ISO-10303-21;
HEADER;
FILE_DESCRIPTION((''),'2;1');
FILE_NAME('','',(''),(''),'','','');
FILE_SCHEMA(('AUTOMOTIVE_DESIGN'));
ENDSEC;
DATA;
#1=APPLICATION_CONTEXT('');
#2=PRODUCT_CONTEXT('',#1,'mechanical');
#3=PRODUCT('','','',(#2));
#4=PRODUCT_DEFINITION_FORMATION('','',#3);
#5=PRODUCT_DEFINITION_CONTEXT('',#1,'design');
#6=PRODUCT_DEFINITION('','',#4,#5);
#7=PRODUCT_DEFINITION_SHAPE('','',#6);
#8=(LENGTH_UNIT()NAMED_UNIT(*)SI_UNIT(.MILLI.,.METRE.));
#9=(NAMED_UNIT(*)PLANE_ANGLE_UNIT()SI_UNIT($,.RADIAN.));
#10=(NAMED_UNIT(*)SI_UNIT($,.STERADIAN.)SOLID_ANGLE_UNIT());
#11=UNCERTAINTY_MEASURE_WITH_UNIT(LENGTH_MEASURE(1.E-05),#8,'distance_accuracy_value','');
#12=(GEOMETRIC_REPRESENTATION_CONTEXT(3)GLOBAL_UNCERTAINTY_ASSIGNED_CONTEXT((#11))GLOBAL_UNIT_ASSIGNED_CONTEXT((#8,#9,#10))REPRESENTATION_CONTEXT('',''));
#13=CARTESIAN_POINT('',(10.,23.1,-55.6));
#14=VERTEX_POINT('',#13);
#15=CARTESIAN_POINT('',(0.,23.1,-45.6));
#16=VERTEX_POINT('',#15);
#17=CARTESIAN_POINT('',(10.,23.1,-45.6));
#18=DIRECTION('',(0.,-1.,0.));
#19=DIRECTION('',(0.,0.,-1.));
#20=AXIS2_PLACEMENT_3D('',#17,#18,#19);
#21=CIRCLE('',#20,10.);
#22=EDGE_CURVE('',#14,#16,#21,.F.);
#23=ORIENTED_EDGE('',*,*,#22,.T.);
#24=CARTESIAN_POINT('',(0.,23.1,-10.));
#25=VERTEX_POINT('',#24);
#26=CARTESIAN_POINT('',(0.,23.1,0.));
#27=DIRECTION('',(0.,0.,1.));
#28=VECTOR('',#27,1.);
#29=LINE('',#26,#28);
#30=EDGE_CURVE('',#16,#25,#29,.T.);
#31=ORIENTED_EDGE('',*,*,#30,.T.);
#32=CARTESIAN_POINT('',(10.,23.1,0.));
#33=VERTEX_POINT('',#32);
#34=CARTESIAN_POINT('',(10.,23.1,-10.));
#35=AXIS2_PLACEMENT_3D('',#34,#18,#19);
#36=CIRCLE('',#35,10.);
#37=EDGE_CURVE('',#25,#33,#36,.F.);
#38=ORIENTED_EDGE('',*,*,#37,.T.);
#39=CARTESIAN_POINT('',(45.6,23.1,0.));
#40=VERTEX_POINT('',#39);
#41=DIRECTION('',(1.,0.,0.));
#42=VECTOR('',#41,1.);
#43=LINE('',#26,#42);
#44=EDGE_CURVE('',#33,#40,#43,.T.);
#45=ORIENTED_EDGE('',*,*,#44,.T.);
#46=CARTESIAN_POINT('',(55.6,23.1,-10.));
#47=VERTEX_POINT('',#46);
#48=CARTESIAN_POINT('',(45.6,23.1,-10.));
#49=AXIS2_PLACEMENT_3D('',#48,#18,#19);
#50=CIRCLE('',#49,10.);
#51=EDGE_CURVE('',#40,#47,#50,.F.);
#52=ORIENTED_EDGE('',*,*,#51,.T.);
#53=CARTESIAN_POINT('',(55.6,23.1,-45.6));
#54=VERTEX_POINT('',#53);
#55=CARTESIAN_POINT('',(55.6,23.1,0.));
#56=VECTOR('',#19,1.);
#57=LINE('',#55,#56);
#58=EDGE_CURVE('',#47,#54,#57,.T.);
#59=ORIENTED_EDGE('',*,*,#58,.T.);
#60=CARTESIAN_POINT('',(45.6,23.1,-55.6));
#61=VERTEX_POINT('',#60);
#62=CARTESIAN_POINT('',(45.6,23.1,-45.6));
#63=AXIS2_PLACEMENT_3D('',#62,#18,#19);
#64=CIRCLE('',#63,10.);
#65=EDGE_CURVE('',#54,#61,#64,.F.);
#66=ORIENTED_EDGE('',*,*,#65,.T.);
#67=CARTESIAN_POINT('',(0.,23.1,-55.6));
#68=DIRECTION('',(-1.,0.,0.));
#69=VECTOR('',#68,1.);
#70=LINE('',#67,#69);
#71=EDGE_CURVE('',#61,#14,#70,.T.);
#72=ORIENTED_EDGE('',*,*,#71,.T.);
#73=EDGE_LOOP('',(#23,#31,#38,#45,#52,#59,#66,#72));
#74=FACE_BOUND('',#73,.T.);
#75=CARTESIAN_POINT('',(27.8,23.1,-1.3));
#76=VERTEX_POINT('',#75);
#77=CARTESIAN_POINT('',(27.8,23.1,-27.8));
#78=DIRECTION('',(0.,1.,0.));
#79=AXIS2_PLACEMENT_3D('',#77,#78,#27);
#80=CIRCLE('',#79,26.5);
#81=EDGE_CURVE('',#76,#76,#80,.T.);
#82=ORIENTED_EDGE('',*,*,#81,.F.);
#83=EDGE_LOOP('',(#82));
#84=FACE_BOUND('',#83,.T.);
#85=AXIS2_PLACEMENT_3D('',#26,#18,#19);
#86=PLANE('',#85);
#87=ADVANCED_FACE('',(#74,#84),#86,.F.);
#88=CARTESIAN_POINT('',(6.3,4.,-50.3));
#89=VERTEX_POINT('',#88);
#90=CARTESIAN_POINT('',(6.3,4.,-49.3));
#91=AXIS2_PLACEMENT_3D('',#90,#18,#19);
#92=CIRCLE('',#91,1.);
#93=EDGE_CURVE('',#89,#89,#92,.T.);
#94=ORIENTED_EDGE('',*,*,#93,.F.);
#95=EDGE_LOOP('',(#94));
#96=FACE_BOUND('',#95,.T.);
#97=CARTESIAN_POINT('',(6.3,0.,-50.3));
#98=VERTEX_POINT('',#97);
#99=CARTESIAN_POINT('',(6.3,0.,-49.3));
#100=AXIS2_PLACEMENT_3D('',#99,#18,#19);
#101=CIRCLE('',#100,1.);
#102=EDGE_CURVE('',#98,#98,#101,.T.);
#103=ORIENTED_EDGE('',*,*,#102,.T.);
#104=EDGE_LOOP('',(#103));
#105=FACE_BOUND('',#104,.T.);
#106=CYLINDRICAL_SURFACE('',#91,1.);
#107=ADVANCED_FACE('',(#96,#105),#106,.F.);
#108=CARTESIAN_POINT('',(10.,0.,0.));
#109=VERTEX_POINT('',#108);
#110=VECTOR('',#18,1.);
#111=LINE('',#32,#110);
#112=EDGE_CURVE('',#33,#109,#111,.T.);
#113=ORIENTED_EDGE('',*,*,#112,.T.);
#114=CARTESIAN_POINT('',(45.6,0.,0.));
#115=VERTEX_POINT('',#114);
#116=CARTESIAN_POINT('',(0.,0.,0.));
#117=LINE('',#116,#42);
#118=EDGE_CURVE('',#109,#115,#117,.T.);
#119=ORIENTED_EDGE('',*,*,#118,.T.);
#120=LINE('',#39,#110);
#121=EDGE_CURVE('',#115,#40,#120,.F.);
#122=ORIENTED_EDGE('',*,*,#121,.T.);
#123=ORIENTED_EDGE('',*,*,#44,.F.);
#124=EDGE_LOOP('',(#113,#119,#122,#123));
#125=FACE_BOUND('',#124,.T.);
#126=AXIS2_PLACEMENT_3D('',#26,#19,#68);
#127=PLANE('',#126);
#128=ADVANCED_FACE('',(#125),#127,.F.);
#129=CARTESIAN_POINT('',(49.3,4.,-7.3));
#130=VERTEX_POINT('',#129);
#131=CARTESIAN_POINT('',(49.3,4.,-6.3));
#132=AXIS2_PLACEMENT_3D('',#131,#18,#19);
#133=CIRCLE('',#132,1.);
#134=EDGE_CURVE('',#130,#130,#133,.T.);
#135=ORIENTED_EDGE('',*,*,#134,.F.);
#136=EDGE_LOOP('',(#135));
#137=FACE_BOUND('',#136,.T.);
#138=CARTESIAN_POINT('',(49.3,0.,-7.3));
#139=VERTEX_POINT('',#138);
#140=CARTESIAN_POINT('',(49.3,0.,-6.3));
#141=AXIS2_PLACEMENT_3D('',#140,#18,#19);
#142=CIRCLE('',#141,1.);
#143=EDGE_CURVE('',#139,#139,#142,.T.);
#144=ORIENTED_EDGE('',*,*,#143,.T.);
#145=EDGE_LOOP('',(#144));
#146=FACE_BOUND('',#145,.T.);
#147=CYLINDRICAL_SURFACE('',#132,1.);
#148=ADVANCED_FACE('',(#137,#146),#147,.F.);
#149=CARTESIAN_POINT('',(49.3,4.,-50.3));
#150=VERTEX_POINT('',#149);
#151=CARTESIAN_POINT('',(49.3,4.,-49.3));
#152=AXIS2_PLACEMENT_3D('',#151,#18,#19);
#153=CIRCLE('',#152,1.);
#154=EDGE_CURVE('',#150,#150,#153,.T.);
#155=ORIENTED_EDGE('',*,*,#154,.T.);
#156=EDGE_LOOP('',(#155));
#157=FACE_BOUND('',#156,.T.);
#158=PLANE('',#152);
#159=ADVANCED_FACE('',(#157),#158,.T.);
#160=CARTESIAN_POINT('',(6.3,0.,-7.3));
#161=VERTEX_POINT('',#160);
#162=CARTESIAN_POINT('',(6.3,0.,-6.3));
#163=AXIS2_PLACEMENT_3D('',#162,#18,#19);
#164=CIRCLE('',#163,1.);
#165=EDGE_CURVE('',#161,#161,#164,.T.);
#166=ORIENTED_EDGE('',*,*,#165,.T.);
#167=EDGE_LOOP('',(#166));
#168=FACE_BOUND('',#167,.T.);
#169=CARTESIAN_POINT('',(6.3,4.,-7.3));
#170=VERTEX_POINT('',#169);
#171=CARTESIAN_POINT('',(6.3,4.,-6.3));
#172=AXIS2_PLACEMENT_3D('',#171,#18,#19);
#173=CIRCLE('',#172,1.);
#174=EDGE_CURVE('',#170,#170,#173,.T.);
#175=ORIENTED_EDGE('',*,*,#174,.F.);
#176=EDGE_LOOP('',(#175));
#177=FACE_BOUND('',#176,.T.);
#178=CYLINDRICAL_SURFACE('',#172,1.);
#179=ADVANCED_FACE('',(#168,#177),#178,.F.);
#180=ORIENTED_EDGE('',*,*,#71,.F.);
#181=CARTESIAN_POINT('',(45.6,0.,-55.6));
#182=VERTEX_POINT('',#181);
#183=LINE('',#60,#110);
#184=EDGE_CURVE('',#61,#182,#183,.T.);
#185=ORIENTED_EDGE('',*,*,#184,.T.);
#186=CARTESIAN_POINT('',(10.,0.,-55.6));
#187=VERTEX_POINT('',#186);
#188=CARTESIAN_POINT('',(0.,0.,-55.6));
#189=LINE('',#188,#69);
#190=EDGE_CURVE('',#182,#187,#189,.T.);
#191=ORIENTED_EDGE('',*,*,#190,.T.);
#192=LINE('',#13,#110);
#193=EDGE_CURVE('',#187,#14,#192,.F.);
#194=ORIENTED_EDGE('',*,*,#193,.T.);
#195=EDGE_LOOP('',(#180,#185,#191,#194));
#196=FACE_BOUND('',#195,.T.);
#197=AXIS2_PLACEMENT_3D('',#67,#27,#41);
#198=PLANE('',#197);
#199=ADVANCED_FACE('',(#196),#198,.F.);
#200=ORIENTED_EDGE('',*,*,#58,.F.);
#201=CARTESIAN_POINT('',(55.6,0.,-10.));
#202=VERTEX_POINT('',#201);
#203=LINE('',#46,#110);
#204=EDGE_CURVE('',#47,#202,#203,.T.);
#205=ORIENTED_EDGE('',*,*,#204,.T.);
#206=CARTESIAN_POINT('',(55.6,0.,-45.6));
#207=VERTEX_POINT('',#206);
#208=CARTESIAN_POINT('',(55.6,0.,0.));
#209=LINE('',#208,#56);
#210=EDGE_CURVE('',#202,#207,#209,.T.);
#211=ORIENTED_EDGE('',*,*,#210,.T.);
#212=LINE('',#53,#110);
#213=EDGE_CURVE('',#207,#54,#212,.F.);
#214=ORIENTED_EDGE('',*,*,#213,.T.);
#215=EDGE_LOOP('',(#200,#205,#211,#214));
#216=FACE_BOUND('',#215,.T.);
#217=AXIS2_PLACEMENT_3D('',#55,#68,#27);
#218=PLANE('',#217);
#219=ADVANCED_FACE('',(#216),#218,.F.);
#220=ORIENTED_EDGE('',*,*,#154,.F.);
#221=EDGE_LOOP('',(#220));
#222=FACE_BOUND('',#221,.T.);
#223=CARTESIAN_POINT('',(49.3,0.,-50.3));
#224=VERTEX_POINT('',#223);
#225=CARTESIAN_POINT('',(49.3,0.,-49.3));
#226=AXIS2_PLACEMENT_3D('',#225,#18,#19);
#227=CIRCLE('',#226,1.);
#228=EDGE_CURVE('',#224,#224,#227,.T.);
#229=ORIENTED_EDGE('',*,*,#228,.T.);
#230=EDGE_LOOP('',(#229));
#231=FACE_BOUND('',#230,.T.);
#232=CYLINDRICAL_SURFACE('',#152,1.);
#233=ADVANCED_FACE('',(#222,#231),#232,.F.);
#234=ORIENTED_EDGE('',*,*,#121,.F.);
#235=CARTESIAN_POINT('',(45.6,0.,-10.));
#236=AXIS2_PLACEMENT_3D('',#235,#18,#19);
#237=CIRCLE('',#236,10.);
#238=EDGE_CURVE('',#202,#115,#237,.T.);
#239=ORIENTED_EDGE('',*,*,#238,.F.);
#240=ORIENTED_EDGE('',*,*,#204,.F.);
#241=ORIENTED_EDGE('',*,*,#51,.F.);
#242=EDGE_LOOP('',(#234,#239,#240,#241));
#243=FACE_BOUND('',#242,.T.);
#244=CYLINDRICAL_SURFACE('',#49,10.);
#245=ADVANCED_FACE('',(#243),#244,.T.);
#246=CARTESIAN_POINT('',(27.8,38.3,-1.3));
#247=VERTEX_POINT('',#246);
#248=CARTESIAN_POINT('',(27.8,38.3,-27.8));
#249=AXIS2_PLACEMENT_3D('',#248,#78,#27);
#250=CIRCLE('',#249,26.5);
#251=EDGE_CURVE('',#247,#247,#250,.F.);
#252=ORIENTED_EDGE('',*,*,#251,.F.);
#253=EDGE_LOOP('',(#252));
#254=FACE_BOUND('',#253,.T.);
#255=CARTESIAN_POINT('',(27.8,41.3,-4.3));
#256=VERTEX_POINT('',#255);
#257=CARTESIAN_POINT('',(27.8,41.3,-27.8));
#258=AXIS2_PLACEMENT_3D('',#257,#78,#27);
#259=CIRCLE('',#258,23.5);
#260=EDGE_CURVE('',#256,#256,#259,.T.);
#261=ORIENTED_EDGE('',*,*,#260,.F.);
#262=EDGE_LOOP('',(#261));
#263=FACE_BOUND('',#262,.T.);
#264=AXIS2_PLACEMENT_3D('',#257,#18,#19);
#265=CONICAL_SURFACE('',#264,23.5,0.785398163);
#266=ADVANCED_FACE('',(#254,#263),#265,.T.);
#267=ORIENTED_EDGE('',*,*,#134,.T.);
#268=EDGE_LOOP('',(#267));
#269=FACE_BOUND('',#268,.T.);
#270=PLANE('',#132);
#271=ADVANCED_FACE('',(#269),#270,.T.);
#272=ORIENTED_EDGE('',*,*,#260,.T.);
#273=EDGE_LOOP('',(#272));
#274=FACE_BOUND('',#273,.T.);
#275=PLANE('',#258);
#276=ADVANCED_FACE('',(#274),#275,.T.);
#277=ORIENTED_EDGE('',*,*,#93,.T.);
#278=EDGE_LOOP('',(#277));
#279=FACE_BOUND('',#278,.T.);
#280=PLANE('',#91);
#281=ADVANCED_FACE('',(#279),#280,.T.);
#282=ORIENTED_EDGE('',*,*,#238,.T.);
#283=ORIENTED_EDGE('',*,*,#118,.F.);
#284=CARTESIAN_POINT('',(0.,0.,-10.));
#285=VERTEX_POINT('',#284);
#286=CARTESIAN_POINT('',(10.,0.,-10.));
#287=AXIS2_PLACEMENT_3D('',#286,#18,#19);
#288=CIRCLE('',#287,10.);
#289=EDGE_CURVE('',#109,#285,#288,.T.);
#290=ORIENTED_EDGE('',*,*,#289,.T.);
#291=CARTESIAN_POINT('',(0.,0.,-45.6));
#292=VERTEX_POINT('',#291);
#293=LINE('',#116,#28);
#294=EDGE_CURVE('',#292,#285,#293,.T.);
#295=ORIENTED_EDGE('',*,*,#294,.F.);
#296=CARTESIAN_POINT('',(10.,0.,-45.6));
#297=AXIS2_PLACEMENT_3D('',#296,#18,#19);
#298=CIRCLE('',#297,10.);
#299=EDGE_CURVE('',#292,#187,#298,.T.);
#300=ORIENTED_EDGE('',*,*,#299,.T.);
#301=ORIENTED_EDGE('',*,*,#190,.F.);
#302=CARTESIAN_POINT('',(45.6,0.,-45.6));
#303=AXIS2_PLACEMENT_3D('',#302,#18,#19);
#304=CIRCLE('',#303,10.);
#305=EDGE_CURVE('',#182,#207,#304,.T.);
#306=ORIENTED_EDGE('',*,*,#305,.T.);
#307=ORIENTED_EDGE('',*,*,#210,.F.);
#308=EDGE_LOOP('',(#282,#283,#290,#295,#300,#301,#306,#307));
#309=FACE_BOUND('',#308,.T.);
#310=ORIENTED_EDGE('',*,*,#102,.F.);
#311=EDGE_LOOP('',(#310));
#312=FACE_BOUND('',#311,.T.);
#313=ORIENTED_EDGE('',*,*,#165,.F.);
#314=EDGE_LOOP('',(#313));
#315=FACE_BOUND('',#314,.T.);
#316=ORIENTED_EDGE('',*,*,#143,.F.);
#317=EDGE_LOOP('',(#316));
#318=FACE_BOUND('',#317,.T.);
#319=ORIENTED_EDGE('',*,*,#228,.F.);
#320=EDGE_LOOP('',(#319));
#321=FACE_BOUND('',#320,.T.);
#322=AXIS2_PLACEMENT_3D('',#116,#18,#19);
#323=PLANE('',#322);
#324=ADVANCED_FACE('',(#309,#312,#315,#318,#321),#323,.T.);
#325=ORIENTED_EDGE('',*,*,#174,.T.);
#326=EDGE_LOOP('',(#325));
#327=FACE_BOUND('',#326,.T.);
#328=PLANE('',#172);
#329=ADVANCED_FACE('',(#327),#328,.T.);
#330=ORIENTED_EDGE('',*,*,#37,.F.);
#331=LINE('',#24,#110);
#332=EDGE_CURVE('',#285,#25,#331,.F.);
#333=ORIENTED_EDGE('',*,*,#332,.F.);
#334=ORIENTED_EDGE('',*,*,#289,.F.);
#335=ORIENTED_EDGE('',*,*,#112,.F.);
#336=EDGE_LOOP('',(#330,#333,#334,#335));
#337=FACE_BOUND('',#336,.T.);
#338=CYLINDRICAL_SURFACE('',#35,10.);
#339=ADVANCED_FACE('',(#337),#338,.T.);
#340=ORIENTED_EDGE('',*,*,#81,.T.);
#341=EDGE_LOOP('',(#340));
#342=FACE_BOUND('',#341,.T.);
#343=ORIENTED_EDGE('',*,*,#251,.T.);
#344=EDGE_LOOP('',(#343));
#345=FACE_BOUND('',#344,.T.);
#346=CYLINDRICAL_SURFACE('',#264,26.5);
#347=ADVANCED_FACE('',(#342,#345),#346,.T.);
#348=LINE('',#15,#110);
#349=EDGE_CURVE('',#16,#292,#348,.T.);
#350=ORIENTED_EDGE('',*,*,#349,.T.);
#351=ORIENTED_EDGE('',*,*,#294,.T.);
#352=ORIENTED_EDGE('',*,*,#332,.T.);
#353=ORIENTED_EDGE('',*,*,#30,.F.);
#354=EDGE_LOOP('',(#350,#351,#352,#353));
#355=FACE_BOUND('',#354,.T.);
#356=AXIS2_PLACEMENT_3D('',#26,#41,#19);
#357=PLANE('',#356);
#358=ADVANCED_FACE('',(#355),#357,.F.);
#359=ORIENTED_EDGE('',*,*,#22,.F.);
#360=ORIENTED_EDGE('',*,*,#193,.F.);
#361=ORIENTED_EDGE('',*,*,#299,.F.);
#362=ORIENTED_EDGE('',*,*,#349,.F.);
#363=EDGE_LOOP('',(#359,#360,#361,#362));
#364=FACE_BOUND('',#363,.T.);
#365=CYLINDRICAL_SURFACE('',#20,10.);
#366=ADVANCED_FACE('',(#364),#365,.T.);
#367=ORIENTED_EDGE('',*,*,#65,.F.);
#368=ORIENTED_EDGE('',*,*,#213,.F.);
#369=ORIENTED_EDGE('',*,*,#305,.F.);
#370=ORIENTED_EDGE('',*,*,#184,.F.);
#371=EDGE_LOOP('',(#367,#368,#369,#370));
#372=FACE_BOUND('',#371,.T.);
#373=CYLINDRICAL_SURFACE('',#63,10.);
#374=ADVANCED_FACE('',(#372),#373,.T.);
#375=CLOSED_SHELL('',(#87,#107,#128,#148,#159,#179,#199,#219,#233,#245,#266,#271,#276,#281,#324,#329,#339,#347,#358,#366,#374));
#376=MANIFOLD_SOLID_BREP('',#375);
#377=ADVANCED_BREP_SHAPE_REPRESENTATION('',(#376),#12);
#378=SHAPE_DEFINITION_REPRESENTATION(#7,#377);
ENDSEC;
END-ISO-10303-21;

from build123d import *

# Parameters (mm, degrees)
SKETCH1_W           = 55.6
SKETCH1_H           = 55.6
BOSS_EXTRUDE1_DEPTH = 23.1
FILLET1_R           = 10
SKETCH2_R           = 1
SCREW_HOLES_DEPTH   = 4
SKETCH3_R           = 26.5
BOSS_EXTRUDE2_DEPTH = 18.2
CHAMFER1_SIZE       = 3


with BuildPart() as part:
    # Sketch1 → Boss-Extrude1 (new body)
    with BuildSketch(Plane(origin=(0, 0, 0), x_dir=(1, 0, 0), z_dir=(0, 1, 0))):
        with Locations((27.8, 27.8)):
            Rectangle(SKETCH1_W, SKETCH1_H)
    extrude(amount=BOSS_EXTRUDE1_DEPTH)

    # Fillet1
    fillet1_edges = [part.edges().sort_by_distance(p)[0] for p in [
        (0, 11.55, -55.6),
        (55.6, 11.55, -55.6),
        (55.6, 11.55, 0),
        (0, 11.55, 0),
    ]]
    fillet(fillet1_edges, radius=FILLET1_R)

    # Sketch2 → Screw Holes (cut)
    with BuildSketch(Plane.XZ):
        with Locations(Location((6.3, -6.3, 0), (0, 0, 270))):
            Circle(SKETCH2_R)
        with Locations(Location((49.3, -6.3, 0), (0, 0, 270))):
            Circle(SKETCH2_R)
        with Locations(Location((49.3, -49.3, 0), (0, 0, 270))):
            Circle(SKETCH2_R)
        with Locations(Location((6.3, -49.3, 0), (0, 0, 270))):
            Circle(SKETCH2_R)
    extrude(amount=-SCREW_HOLES_DEPTH, mode=Mode.SUBTRACT)

    # Sketch3 → Boss-Extrude2 (add)
    with BuildSketch(Plane(origin=(0, 23.1, 0), x_dir=(1, 0, 0), z_dir=(0, 1, 0))):
        with Locations(Location((27.8, 27.8, 0), (0, 0, 270))):
            Circle(SKETCH3_R)
    extrude(amount=BOSS_EXTRUDE2_DEPTH)

    # Chamfer1
    chamfer1_edges = [part.edges().sort_by_distance(p)[0] for p in [
        (27.8, 41.3, -54.3),
    ]]
    chamfer(chamfer1_edges, length=CHAMFER1_SIZE)


solid = part.part
